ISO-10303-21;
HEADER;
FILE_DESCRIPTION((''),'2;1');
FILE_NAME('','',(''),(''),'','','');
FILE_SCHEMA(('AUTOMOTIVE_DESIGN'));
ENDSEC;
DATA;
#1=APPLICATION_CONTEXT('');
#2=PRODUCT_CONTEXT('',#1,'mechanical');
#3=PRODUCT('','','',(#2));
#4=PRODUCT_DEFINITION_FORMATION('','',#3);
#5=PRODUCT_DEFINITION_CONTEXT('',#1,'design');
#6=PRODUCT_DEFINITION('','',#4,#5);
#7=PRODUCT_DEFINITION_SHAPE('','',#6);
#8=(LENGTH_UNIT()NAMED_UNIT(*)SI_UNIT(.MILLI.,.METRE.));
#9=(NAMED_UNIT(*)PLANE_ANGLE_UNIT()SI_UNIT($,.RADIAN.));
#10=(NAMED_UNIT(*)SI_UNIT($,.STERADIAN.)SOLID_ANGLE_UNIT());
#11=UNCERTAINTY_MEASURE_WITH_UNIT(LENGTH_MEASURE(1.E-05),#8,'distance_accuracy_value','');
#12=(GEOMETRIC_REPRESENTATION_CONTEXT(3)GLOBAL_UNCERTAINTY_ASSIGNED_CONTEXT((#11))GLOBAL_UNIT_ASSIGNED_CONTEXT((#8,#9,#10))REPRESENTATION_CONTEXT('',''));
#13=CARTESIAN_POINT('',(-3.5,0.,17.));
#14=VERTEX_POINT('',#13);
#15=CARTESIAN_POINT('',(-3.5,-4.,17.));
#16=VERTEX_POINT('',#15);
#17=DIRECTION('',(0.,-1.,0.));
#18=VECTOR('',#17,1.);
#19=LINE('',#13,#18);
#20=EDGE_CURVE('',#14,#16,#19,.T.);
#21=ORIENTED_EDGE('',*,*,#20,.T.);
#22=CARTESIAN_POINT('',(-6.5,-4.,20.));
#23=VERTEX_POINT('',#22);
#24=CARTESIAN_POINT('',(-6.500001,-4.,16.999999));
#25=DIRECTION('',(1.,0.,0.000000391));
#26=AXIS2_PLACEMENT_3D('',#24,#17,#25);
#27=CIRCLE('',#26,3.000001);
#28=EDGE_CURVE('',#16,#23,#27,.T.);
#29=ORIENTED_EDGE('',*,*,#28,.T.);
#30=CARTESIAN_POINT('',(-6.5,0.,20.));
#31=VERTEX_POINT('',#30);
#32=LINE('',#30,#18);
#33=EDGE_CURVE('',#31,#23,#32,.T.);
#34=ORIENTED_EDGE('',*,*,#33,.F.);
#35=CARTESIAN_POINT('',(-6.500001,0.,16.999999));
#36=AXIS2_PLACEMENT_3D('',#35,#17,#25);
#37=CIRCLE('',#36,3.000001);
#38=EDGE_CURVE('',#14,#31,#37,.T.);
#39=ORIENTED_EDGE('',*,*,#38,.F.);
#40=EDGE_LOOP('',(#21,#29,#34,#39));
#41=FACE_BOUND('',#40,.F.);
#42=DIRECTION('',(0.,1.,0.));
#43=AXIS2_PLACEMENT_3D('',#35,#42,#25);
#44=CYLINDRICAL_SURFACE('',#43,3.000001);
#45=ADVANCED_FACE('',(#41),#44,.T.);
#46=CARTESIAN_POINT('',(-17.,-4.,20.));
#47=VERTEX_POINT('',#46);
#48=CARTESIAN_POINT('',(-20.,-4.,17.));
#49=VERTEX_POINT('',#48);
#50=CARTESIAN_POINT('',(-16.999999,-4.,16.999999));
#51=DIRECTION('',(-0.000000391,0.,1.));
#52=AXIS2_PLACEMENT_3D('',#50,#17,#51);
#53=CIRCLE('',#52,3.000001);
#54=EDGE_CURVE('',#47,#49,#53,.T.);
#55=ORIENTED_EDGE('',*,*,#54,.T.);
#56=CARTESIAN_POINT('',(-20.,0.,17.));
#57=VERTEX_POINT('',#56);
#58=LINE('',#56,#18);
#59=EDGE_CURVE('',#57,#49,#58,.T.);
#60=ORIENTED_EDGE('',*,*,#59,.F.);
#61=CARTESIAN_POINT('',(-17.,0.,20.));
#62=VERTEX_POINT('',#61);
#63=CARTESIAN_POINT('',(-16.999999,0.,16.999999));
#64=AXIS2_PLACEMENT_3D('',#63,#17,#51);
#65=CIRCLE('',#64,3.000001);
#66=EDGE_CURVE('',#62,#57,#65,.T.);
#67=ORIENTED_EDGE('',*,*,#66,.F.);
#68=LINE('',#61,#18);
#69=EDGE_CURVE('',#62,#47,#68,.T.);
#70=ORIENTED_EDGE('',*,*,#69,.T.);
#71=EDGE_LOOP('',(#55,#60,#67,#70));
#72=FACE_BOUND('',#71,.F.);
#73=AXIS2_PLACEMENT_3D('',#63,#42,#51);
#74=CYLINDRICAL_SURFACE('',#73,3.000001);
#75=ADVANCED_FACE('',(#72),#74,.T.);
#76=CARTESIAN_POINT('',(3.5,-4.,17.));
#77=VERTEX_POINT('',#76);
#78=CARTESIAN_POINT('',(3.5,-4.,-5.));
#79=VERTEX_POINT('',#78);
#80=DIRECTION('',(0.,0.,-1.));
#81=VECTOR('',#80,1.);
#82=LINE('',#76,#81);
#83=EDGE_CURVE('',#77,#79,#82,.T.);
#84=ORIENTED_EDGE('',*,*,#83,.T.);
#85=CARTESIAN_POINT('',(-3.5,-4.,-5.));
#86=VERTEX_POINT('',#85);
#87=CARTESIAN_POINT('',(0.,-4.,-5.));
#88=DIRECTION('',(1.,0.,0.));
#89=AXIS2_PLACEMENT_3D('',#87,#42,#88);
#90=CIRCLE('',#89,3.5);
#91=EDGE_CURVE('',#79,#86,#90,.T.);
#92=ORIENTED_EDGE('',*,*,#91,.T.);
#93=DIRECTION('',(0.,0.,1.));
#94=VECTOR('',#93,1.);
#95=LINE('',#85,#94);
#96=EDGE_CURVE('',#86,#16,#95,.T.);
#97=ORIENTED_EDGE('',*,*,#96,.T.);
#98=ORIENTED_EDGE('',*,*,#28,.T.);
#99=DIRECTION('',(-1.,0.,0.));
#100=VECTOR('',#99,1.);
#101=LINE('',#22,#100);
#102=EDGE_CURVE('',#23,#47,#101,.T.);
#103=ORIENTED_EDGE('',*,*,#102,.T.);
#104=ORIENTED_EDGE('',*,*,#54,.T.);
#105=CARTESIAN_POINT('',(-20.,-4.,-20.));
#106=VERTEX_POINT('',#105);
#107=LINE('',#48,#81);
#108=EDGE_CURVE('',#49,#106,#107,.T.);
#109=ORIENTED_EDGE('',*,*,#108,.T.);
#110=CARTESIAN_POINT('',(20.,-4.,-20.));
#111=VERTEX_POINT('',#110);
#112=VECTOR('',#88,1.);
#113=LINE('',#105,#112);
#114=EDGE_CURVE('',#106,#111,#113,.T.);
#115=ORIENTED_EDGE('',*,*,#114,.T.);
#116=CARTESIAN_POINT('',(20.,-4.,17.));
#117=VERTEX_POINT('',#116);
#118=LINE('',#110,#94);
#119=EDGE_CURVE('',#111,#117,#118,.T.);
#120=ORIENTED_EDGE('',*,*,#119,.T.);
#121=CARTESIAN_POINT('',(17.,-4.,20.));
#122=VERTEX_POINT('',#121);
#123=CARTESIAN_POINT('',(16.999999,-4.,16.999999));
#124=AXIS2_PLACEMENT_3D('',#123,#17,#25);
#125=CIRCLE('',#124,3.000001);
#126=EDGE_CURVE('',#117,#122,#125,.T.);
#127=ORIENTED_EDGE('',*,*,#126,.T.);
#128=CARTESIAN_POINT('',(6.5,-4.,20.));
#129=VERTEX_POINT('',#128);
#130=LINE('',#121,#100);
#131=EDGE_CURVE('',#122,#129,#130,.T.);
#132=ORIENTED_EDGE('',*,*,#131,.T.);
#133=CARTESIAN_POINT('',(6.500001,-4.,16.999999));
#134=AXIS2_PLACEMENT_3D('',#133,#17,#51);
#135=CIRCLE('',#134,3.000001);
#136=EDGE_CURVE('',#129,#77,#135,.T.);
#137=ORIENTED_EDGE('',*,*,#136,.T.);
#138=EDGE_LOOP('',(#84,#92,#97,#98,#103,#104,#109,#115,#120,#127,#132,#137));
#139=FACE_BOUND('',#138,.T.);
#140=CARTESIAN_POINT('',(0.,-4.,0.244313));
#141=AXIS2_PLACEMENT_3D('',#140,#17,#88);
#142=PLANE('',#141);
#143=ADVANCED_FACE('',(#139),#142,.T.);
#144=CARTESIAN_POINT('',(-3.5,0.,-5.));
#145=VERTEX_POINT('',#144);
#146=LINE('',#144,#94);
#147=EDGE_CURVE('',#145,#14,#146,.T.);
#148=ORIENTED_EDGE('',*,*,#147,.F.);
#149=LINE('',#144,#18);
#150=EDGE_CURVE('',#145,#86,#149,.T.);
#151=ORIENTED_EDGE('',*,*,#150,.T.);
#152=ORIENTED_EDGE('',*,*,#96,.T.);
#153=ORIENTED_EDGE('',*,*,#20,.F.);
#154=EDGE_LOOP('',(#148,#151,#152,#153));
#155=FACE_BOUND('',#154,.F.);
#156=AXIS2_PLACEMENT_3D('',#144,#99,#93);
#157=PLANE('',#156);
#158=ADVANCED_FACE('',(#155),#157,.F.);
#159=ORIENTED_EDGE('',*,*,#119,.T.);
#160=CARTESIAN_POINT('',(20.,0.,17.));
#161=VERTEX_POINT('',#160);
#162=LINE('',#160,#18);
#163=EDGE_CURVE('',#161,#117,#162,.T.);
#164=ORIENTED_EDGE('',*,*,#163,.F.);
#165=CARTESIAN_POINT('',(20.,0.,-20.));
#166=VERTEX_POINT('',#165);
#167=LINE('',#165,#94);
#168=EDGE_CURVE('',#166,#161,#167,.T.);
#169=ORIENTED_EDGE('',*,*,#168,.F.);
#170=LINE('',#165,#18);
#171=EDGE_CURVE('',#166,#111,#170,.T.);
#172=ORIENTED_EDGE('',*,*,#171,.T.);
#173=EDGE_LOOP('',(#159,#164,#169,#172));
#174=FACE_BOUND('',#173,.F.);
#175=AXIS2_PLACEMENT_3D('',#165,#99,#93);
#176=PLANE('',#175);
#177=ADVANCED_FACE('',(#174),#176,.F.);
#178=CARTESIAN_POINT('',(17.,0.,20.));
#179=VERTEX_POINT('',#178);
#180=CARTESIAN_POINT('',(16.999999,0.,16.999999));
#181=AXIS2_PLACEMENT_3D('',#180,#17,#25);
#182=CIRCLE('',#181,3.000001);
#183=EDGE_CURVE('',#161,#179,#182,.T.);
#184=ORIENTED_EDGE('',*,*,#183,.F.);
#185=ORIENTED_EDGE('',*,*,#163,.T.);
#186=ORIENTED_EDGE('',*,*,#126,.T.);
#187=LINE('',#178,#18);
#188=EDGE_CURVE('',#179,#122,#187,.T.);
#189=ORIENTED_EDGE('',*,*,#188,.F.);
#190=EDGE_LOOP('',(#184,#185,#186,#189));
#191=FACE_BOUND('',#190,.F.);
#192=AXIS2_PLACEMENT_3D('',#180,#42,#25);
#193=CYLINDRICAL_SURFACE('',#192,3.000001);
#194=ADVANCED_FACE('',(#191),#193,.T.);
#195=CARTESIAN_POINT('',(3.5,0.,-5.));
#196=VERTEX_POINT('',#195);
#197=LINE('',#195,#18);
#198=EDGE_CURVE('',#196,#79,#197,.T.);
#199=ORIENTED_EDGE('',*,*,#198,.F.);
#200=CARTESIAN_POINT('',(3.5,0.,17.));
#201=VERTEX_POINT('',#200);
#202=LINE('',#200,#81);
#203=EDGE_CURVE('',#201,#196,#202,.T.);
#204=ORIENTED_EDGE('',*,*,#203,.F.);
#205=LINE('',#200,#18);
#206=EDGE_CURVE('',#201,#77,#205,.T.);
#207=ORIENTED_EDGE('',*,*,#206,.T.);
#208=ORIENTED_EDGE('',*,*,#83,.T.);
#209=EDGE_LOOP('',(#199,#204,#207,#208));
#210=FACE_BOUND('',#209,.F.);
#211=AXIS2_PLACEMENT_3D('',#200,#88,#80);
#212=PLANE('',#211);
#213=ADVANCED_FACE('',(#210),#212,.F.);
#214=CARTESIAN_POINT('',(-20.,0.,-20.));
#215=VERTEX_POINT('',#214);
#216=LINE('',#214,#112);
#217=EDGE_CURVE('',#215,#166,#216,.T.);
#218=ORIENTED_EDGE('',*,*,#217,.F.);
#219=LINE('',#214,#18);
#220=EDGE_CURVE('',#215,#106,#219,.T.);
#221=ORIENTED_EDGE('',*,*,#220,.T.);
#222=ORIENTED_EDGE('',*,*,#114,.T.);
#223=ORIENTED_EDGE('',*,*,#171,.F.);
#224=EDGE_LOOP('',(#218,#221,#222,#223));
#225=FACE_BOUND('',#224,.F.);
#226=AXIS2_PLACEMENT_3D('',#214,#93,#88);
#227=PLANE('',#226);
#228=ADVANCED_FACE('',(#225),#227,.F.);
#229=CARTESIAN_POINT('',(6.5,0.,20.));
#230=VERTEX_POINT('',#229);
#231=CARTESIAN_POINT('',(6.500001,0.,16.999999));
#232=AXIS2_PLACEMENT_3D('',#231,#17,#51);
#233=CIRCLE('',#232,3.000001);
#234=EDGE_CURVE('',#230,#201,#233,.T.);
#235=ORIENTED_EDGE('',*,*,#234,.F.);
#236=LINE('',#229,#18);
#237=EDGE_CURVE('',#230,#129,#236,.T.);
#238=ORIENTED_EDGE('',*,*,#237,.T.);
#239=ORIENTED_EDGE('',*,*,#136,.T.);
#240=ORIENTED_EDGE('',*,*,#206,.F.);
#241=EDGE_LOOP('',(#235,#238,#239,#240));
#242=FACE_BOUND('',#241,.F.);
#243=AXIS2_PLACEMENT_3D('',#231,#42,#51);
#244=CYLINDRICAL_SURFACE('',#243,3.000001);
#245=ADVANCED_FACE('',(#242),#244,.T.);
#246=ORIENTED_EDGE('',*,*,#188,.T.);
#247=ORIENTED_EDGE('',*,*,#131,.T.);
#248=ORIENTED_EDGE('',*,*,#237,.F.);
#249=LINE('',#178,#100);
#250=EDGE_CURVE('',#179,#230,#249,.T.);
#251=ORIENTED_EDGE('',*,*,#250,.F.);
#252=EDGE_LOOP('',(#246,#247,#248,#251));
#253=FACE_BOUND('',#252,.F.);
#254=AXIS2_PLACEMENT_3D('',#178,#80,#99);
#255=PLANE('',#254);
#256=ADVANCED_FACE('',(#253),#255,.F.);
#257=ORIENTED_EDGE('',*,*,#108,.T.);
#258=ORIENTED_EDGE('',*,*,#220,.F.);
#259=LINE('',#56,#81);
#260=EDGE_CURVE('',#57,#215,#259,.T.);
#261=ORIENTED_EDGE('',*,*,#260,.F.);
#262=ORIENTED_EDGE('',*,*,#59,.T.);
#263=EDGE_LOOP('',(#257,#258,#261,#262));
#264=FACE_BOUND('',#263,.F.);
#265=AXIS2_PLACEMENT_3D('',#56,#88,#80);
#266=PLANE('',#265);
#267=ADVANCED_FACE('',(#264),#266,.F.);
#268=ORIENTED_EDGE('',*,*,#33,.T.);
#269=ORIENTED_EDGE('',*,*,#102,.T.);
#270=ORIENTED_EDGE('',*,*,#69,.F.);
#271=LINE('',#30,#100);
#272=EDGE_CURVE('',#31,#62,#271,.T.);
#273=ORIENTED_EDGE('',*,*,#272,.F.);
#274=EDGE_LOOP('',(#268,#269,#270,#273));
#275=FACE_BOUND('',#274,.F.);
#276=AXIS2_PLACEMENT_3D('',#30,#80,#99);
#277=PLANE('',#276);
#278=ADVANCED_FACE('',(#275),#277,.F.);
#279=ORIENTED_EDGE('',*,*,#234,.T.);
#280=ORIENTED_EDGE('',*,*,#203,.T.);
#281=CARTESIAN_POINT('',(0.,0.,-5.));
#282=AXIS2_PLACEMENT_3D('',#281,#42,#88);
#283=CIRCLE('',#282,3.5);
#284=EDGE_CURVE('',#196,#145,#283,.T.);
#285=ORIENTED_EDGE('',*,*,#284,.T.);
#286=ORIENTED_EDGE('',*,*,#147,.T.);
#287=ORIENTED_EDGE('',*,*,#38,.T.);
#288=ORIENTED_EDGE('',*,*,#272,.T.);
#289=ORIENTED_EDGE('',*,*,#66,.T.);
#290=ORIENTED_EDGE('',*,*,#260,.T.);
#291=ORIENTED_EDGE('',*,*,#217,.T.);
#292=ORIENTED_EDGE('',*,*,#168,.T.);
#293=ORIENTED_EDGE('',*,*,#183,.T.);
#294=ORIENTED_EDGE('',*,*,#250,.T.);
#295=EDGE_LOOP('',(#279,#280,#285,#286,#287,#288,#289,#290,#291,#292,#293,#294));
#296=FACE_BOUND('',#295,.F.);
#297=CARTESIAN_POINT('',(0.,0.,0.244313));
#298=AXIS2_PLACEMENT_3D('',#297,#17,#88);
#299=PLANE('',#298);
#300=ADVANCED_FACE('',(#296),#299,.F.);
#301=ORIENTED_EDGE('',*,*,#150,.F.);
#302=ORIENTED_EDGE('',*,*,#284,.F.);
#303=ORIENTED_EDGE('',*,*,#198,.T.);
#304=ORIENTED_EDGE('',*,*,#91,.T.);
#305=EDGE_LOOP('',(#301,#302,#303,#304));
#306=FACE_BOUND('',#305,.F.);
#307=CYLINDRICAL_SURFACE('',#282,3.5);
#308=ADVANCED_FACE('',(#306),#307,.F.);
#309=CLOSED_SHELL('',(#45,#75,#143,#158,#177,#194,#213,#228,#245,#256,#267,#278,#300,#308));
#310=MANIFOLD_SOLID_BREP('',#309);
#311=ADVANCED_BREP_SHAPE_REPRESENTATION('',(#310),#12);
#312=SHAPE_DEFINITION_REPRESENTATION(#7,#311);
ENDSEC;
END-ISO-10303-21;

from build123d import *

# Parameters (mm, degrees)
F1_DEPTH = 4


with BuildPart() as f1:
    # F0 (on Front) → F1 (new body)
    with BuildSketch(Plane.XZ):
        with BuildLine():
            Line((-20, 17), (-20, -20))
            Line((-20, -20), (20, -20))
            Line((20, -20), (20, 17))
            ThreePointArc((20, 17), (19.12132, 19.12132), (17, 20))
            Line((17, 20), (6.5, 20))
            ThreePointArc((6.5, 20), (4.37868, 19.12132), (3.5, 17))
            Line((3.5, 17), (3.5, -5))
            ThreePointArc((3.5, -5), (0, -8.5), (-3.5, -5))
            Line((-3.5, -5), (-3.5, 17))
            ThreePointArc((-3.5, 17), (-4.37868, 19.12132), (-6.5, 20))
            Line((-6.5, 20), (-17, 20))
            ThreePointArc((-17, 20), (-19.12132, 19.12132), (-20, 17))
        make_face()
    extrude(amount=F1_DEPTH)


solid = f1.part
